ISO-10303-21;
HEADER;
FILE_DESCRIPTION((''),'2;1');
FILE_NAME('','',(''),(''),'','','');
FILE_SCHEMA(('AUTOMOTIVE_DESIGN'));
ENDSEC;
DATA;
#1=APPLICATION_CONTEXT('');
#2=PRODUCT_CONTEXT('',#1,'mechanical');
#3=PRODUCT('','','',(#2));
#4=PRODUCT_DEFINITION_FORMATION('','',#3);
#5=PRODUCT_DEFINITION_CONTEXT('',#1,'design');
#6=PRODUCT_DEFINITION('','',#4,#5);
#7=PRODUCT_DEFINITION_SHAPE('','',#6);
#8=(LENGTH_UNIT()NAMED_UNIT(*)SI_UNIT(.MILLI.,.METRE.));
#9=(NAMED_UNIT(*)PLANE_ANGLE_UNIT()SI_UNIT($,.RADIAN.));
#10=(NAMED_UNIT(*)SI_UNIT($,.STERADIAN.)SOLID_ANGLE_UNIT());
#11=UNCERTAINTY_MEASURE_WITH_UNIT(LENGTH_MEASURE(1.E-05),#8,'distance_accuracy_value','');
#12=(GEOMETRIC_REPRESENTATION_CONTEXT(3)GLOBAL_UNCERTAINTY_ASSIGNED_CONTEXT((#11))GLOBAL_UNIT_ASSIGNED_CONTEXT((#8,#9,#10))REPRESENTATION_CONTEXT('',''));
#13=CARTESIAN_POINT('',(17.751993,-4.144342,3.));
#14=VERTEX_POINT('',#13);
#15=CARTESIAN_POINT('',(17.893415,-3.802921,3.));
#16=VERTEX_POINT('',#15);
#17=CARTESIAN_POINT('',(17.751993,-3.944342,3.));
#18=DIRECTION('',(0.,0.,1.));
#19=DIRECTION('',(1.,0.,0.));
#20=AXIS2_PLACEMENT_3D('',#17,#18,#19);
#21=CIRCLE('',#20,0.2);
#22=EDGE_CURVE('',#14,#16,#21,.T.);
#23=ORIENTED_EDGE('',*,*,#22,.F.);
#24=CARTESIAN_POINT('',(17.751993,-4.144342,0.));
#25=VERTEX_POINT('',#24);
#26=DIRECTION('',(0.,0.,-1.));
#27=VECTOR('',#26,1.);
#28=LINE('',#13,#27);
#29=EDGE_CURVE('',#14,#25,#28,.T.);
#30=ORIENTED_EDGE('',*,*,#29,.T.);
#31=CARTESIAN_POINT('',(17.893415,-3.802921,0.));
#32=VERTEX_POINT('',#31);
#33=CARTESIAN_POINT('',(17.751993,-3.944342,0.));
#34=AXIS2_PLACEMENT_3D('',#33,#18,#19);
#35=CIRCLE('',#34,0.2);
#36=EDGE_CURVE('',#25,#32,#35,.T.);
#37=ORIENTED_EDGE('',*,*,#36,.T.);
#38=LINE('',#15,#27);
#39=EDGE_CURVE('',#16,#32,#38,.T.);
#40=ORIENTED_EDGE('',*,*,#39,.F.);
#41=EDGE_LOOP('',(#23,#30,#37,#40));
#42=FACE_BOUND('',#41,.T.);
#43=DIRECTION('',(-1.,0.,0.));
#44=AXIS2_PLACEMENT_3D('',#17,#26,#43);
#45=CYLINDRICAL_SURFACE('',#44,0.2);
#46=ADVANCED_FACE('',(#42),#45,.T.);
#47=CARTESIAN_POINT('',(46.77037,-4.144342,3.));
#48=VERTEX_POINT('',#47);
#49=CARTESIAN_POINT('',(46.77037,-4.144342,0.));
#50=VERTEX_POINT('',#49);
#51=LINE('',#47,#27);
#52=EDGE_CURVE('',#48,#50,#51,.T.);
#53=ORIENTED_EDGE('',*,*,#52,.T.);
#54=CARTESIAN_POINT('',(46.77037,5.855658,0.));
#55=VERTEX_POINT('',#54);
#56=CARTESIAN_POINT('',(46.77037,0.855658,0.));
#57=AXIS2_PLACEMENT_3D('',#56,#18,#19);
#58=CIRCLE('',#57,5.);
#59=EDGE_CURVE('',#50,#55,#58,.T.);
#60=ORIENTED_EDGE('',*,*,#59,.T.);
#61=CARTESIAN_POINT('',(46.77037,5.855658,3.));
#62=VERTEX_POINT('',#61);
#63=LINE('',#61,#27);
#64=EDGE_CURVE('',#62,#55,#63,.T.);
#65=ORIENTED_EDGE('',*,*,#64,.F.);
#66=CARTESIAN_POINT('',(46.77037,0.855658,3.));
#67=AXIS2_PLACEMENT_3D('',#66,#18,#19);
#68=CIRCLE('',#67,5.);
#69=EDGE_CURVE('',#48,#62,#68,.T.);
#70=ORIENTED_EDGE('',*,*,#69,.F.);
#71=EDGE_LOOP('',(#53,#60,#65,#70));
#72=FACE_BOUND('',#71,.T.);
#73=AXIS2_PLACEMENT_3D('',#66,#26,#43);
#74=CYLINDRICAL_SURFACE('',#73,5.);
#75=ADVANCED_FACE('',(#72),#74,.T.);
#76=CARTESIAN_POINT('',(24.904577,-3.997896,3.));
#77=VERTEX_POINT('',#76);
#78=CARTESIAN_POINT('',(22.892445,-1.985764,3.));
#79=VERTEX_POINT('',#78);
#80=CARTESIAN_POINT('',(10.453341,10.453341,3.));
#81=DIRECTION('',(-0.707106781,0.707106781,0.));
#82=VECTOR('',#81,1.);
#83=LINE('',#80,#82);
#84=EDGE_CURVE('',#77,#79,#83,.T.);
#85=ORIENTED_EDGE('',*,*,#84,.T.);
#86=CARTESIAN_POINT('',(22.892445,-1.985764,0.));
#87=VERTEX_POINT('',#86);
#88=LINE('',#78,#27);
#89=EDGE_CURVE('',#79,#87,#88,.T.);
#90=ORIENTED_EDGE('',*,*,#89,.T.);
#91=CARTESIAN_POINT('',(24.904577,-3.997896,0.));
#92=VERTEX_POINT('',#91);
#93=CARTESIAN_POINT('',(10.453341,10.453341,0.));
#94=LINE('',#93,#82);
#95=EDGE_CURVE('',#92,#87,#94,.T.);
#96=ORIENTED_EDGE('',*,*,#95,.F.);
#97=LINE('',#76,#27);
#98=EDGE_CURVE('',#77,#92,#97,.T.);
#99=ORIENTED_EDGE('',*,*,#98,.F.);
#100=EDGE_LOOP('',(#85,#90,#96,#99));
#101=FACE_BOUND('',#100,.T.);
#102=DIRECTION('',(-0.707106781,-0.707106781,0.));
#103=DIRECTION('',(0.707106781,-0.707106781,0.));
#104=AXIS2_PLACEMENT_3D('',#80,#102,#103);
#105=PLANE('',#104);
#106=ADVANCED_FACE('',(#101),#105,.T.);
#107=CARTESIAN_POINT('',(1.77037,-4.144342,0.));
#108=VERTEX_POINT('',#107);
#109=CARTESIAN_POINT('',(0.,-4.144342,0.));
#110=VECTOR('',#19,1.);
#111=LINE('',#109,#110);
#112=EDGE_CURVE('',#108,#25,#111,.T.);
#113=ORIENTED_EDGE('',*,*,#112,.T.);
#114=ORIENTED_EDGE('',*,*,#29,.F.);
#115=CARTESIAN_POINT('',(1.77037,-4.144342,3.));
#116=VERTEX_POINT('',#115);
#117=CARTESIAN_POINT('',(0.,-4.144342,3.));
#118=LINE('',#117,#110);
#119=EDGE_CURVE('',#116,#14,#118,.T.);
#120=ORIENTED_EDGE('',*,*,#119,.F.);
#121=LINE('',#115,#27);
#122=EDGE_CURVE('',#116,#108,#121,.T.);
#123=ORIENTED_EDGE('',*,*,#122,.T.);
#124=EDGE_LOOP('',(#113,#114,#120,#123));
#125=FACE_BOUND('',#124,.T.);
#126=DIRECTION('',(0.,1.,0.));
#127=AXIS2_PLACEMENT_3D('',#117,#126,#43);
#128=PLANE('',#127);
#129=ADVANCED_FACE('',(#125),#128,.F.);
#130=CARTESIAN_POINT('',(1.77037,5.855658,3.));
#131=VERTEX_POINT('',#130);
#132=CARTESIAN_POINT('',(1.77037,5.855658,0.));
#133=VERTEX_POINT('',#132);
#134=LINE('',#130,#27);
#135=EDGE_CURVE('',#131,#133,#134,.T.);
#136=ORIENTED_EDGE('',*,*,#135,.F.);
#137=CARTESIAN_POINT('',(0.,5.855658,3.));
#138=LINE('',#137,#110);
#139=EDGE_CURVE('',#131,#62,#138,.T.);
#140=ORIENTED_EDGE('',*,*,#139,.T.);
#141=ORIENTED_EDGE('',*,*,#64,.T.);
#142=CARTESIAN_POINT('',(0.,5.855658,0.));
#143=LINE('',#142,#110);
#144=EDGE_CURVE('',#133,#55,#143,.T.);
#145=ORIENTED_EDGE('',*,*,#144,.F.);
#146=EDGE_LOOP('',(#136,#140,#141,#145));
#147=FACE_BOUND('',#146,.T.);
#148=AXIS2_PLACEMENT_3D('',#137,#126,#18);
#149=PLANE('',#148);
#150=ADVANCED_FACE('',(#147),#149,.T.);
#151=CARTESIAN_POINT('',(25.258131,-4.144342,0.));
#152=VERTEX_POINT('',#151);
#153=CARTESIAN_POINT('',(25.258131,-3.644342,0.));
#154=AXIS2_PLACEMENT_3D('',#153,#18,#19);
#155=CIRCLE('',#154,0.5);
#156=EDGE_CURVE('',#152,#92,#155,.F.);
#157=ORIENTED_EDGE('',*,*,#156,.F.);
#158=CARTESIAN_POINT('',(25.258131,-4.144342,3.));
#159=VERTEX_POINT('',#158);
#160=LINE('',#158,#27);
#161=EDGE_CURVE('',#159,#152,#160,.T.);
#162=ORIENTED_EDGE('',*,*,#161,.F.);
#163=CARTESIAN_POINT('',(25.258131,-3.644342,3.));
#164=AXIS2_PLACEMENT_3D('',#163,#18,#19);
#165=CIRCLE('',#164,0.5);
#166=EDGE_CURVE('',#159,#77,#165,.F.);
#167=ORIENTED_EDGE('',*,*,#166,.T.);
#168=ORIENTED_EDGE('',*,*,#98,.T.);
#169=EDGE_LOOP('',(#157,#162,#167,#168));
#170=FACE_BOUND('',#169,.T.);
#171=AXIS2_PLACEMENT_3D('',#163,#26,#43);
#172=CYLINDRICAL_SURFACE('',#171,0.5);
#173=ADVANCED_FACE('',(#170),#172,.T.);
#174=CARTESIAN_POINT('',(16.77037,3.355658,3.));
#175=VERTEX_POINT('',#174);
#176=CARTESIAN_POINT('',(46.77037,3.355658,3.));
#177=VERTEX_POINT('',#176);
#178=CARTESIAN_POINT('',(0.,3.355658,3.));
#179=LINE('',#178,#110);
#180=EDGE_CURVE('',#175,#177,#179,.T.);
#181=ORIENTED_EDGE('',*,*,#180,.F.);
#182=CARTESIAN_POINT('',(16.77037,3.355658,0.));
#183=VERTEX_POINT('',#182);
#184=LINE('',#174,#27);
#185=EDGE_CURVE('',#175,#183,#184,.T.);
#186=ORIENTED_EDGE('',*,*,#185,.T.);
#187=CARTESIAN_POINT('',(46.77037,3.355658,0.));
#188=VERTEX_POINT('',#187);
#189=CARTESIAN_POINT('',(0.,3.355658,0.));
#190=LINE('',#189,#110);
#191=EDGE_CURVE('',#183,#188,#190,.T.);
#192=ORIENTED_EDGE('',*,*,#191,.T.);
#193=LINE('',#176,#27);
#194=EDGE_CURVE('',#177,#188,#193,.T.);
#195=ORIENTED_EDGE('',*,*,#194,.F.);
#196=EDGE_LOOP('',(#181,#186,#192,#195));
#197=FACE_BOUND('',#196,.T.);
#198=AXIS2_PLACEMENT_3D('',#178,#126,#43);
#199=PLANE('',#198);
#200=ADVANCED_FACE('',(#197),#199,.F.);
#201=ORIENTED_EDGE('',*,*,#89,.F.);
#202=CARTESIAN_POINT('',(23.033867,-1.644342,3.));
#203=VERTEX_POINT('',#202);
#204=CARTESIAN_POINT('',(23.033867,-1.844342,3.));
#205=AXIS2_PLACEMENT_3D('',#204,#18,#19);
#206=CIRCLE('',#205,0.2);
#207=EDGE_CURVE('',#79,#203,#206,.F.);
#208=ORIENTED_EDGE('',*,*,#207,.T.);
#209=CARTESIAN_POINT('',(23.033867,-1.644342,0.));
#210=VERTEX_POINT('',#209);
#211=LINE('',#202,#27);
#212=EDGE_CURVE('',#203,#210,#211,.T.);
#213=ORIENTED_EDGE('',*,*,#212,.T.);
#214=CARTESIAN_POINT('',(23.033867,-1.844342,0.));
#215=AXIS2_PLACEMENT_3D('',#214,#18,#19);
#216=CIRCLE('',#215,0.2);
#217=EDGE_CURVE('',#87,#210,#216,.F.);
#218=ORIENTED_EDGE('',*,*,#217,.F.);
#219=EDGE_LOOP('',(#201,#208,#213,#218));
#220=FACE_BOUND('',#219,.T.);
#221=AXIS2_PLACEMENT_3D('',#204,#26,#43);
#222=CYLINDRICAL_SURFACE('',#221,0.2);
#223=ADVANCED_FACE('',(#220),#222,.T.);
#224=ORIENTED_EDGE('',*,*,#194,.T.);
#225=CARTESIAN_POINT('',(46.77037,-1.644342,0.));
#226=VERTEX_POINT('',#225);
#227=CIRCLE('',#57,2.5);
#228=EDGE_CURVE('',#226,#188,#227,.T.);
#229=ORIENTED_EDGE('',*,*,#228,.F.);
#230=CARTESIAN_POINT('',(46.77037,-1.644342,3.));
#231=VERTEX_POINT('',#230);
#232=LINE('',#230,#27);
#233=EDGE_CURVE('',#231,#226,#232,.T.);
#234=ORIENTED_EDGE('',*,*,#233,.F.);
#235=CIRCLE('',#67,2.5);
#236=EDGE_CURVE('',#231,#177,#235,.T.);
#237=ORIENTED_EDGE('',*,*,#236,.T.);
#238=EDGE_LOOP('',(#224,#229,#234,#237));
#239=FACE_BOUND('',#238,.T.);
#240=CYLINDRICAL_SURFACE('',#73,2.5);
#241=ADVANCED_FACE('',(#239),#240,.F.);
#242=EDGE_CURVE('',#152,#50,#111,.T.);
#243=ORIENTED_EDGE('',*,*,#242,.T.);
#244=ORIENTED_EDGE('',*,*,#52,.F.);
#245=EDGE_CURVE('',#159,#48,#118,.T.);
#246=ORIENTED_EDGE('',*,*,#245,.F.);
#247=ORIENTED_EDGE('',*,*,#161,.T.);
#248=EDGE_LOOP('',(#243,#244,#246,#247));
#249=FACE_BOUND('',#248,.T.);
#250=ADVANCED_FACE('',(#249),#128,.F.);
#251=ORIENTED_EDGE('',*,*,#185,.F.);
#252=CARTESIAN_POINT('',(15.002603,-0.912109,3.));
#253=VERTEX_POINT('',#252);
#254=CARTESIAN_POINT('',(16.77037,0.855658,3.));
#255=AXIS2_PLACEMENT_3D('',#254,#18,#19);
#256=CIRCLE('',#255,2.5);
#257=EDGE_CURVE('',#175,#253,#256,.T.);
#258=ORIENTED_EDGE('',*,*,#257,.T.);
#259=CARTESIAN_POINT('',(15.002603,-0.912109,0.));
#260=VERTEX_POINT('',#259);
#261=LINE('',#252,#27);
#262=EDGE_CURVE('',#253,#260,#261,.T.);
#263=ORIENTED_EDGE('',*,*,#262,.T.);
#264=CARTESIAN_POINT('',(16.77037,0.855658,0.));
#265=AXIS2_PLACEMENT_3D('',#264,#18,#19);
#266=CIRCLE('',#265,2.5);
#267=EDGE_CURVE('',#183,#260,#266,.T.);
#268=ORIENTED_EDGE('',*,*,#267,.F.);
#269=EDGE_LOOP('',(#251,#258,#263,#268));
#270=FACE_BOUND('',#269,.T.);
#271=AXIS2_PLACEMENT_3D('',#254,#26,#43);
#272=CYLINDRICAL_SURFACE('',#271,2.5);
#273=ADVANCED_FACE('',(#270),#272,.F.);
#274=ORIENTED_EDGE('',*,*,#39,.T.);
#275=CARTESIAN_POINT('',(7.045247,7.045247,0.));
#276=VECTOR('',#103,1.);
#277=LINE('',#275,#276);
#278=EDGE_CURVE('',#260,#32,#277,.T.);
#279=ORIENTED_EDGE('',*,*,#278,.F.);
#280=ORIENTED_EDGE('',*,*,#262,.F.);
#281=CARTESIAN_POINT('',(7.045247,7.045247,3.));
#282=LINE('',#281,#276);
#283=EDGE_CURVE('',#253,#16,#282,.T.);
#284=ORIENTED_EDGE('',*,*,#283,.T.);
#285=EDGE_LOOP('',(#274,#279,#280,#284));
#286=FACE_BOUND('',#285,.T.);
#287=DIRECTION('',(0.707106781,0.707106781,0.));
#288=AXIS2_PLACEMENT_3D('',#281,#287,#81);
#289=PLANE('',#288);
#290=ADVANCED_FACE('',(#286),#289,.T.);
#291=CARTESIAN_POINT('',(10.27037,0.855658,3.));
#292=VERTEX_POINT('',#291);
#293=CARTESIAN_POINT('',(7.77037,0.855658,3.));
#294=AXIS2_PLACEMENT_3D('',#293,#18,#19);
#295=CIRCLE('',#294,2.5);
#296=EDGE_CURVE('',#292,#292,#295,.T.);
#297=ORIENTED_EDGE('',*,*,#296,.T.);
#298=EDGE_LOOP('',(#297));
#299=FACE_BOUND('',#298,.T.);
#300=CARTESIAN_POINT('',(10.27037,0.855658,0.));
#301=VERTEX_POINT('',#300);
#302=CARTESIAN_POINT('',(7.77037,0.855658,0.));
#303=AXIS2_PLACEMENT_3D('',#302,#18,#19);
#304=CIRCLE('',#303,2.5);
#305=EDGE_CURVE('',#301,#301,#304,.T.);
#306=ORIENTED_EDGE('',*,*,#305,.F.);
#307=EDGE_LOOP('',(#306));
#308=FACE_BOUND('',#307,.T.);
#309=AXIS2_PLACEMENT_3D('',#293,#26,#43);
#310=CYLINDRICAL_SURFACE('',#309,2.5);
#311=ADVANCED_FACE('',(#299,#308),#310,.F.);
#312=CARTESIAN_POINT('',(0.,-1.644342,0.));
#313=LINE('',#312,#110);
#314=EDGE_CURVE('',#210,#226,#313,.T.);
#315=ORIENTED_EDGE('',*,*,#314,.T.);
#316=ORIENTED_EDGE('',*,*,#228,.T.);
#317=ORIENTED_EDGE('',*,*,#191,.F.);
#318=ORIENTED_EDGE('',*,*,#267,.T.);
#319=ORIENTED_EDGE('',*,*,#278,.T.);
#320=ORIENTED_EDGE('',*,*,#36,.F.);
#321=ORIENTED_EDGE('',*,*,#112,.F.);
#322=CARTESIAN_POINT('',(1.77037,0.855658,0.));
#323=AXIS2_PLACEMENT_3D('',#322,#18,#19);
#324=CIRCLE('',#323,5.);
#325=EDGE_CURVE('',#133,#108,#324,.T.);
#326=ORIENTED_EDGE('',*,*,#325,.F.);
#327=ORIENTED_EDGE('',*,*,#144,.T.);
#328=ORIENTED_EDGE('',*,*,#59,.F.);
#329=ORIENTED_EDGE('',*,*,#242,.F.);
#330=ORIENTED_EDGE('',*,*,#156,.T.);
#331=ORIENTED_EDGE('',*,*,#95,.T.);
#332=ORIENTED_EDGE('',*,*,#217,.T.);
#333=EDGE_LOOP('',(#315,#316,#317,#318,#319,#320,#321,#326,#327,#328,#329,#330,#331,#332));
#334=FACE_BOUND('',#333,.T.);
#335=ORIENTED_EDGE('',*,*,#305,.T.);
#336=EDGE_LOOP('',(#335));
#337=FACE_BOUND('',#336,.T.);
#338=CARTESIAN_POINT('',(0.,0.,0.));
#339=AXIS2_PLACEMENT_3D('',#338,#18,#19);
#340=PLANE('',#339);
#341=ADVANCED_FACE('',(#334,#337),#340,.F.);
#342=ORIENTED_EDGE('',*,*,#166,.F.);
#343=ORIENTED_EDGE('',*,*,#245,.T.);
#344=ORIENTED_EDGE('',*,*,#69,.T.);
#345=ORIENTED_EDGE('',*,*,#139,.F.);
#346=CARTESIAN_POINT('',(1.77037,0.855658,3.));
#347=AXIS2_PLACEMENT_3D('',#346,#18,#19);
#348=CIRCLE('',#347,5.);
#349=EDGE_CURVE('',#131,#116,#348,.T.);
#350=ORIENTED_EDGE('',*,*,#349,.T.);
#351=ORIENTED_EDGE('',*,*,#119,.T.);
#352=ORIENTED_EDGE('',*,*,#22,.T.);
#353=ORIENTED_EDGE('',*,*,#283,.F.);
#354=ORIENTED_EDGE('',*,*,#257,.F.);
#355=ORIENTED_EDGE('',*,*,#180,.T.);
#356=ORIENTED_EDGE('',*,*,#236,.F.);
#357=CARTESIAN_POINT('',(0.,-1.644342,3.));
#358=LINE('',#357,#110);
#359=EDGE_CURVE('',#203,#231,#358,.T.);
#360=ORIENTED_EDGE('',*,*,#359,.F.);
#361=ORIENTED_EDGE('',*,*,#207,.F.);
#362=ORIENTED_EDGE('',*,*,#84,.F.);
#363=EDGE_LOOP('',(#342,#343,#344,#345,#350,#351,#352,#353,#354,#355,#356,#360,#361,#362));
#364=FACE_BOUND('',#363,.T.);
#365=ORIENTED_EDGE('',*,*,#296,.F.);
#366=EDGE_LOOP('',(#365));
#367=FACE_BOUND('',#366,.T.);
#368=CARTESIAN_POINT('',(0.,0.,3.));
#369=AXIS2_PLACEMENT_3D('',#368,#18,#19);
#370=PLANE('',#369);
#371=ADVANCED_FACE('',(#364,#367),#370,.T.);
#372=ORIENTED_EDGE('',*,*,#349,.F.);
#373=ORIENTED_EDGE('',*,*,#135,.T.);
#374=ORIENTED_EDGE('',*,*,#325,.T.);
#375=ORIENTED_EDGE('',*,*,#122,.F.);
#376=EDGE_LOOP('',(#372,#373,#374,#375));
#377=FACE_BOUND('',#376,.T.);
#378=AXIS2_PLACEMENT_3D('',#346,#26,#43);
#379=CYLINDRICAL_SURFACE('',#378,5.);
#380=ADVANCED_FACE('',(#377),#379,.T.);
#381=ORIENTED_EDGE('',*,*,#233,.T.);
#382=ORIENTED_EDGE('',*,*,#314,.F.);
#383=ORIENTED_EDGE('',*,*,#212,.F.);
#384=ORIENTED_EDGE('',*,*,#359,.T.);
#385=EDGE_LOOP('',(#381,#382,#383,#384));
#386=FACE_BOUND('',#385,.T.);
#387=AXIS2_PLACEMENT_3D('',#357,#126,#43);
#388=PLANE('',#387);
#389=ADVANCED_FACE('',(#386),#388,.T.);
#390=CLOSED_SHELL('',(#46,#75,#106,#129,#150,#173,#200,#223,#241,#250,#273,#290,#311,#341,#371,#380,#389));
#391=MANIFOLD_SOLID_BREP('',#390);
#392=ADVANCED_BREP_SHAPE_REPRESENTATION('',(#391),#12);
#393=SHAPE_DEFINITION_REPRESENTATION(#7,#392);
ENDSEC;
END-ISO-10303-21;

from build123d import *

# Parameters (mm, degrees)
SKETCH2_R           = 2.5
BOSS_EXTRUDE1_DEPTH = 3


with BuildPart() as part:
    # Sketch2 → Boss-Extrude1 (new body)
    with BuildSketch(Plane.XY):
        with BuildLine():
            Line((16.770370099, 3.355657737), (46.770370099, 3.355657737))
            ThreePointArc((46.770370099, 3.355657737), (49.270370099, 0.855657737), (46.770370099, -1.644342263))
            Line((46.770370099, -1.644342263), (23.033866759, -1.644342263))
            ThreePointArc((23.033866759, -1.644342263), (22.849090853, -1.767805576), (22.892445403, -1.985763619))
            Line((22.892445403, -1.985763619), (24.904577438, -3.997895654))
            ThreePointArc((24.904577438, -3.997895654), (25.066789112, -4.106282029), (25.258130828, -4.144342263))
            Line((25.258130828, -4.144342263), (46.770370099, -4.144342263))
            ThreePointArc((46.770370099, -4.144342263), (51.770370099, 0.855657737), (46.770370099, 5.855657737))
            Line((46.770370099, 5.855657737), (1.770370099, 5.855657737))
            ThreePointArc((1.770370099, 5.855657737), (-3.229629901, 0.855657737), (1.770370099, -4.144342263))
            Line((1.770370099, -4.144342263), (17.75199348, -4.144342263))
            ThreePointArc((17.75199348, -4.144342263), (17.936769387, -4.020878949), (17.893414837, -3.802920907))
            Line((17.893414837, -3.802920907), (15.002603146, -0.912109216))
            ThreePointArc((15.002603146, -0.912109216), (14.460671268, 1.812366318), (16.770370099, 3.355657737))
        make_face()
        with Locations((7.770370099, 0.855657737)):
            Circle(SKETCH2_R, mode=Mode.SUBTRACT)
    extrude(amount=BOSS_EXTRUDE1_DEPTH)


solid = part.part
